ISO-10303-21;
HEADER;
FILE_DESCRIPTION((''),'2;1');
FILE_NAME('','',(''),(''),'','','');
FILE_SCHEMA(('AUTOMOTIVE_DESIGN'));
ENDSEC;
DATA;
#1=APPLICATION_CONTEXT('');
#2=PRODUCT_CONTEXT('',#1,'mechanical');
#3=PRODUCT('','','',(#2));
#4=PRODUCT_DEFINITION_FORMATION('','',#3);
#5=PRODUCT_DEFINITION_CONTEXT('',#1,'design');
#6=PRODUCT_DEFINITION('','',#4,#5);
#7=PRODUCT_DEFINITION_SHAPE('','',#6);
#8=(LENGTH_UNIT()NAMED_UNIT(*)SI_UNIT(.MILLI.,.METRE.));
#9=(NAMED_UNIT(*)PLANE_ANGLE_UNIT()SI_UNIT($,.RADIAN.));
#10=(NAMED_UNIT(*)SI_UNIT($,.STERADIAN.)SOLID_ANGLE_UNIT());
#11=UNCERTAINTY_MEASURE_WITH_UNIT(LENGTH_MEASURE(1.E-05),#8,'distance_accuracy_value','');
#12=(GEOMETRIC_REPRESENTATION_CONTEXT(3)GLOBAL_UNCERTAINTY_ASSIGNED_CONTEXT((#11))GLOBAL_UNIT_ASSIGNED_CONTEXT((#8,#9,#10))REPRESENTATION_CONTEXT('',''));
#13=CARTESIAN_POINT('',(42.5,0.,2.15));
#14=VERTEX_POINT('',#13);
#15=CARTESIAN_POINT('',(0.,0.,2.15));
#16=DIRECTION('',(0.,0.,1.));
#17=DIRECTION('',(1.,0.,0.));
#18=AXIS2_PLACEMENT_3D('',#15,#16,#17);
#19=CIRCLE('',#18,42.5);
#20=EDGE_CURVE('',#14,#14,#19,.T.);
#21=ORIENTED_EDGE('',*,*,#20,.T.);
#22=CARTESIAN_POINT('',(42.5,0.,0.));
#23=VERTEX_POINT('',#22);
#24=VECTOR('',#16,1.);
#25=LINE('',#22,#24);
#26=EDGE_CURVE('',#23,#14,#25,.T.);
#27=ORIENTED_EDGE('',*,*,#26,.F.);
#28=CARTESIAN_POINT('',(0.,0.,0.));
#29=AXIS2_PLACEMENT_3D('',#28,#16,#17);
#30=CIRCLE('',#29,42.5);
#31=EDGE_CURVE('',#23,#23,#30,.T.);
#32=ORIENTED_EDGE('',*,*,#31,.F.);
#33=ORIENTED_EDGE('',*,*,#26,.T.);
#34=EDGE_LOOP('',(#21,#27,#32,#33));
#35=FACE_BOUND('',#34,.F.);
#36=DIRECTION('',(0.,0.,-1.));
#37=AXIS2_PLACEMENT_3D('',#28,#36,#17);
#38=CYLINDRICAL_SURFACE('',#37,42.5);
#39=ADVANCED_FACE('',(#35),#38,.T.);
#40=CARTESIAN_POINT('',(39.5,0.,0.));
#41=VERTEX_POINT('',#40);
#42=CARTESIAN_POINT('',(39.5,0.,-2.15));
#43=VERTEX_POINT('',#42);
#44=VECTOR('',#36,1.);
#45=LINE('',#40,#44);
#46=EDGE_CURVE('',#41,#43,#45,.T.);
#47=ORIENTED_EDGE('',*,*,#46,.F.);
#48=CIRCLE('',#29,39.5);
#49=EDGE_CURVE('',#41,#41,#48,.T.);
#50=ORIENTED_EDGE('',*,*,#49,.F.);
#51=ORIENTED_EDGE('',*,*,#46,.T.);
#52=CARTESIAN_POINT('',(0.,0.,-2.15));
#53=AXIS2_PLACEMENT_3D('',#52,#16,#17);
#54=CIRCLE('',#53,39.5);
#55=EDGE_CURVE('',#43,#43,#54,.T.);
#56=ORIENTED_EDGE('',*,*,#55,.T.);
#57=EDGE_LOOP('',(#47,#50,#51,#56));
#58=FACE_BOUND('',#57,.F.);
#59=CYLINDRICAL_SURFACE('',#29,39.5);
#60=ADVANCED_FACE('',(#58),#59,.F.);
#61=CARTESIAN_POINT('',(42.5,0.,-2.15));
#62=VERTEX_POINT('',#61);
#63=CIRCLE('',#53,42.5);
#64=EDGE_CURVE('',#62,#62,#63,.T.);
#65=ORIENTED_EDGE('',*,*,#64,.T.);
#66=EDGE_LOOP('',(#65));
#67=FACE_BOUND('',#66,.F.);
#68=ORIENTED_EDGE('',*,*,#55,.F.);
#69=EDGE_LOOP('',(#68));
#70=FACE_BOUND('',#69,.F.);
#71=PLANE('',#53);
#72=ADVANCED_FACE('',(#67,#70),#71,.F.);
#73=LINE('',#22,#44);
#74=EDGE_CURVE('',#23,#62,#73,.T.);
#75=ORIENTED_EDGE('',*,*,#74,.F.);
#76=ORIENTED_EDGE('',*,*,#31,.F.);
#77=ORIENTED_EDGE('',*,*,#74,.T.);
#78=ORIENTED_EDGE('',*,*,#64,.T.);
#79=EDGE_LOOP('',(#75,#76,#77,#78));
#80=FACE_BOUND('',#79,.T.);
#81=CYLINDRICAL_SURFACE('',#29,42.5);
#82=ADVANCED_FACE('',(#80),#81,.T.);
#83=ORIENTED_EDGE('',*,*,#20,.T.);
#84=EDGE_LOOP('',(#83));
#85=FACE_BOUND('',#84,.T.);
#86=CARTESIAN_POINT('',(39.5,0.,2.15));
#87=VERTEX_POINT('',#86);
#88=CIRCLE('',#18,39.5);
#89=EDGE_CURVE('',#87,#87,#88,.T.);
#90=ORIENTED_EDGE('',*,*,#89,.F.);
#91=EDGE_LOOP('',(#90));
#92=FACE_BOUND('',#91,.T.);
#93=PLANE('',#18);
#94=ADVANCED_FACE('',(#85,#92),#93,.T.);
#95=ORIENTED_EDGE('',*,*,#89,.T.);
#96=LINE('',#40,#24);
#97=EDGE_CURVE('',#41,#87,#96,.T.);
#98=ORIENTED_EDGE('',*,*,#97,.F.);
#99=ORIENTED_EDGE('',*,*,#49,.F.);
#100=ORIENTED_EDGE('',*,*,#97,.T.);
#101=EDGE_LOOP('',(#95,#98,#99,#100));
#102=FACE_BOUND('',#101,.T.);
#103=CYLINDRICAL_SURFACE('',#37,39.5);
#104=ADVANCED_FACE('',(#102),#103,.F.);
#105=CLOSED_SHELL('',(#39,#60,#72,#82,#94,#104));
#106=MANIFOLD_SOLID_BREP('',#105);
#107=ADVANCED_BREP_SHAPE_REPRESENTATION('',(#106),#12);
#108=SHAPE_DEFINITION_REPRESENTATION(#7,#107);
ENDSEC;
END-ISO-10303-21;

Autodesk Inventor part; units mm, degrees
ref_plane "YZ Plane" through (0, 0, 0) normal (1, 0, 0) x (0, 1, 0)
ref_plane "XZ Plane" through (0, 0, 0) normal (0, 1, 0) x (-1, 0, 0)
ref_plane "XY Plane" through (0, 0, 0) normal (0, 0, 1) x (1, 0, 0)
sketch "Sketch1" plane through (0, 0, 0) normal (0, 0, 1) x (1, 0, 0)
  circle A0 centre (0, 0) radius 42.5
  circle A1 centre (0, 0) radius 39.5
  dimension "d0" = 85
  dimension "d1" = 79
extrude "Extrusion1" add sketch "Sketch1" along normal mid plane 4.3
equation "\"BendRadius\" = Thickness"
equation "\"BendReliefWidth\" = Thickness"
equation "\"BendReliefDepth\" = 0.5 * Thickness"
equation "\"CornerReliefSize\" = 4 * Thickness"
equation "\"MinimumRemnant\" = 2 * Thickness"
equation "\"TransitionRadius\" = BendRadius"
equation "\"JacobiRadiusSize\" = BendRadius"
equation "\"GapSize\" = Thickness"
equation "\"Thickness\" = 0.5"
properties part number "Part 5 Piston ring" material "Stainless Steel"
